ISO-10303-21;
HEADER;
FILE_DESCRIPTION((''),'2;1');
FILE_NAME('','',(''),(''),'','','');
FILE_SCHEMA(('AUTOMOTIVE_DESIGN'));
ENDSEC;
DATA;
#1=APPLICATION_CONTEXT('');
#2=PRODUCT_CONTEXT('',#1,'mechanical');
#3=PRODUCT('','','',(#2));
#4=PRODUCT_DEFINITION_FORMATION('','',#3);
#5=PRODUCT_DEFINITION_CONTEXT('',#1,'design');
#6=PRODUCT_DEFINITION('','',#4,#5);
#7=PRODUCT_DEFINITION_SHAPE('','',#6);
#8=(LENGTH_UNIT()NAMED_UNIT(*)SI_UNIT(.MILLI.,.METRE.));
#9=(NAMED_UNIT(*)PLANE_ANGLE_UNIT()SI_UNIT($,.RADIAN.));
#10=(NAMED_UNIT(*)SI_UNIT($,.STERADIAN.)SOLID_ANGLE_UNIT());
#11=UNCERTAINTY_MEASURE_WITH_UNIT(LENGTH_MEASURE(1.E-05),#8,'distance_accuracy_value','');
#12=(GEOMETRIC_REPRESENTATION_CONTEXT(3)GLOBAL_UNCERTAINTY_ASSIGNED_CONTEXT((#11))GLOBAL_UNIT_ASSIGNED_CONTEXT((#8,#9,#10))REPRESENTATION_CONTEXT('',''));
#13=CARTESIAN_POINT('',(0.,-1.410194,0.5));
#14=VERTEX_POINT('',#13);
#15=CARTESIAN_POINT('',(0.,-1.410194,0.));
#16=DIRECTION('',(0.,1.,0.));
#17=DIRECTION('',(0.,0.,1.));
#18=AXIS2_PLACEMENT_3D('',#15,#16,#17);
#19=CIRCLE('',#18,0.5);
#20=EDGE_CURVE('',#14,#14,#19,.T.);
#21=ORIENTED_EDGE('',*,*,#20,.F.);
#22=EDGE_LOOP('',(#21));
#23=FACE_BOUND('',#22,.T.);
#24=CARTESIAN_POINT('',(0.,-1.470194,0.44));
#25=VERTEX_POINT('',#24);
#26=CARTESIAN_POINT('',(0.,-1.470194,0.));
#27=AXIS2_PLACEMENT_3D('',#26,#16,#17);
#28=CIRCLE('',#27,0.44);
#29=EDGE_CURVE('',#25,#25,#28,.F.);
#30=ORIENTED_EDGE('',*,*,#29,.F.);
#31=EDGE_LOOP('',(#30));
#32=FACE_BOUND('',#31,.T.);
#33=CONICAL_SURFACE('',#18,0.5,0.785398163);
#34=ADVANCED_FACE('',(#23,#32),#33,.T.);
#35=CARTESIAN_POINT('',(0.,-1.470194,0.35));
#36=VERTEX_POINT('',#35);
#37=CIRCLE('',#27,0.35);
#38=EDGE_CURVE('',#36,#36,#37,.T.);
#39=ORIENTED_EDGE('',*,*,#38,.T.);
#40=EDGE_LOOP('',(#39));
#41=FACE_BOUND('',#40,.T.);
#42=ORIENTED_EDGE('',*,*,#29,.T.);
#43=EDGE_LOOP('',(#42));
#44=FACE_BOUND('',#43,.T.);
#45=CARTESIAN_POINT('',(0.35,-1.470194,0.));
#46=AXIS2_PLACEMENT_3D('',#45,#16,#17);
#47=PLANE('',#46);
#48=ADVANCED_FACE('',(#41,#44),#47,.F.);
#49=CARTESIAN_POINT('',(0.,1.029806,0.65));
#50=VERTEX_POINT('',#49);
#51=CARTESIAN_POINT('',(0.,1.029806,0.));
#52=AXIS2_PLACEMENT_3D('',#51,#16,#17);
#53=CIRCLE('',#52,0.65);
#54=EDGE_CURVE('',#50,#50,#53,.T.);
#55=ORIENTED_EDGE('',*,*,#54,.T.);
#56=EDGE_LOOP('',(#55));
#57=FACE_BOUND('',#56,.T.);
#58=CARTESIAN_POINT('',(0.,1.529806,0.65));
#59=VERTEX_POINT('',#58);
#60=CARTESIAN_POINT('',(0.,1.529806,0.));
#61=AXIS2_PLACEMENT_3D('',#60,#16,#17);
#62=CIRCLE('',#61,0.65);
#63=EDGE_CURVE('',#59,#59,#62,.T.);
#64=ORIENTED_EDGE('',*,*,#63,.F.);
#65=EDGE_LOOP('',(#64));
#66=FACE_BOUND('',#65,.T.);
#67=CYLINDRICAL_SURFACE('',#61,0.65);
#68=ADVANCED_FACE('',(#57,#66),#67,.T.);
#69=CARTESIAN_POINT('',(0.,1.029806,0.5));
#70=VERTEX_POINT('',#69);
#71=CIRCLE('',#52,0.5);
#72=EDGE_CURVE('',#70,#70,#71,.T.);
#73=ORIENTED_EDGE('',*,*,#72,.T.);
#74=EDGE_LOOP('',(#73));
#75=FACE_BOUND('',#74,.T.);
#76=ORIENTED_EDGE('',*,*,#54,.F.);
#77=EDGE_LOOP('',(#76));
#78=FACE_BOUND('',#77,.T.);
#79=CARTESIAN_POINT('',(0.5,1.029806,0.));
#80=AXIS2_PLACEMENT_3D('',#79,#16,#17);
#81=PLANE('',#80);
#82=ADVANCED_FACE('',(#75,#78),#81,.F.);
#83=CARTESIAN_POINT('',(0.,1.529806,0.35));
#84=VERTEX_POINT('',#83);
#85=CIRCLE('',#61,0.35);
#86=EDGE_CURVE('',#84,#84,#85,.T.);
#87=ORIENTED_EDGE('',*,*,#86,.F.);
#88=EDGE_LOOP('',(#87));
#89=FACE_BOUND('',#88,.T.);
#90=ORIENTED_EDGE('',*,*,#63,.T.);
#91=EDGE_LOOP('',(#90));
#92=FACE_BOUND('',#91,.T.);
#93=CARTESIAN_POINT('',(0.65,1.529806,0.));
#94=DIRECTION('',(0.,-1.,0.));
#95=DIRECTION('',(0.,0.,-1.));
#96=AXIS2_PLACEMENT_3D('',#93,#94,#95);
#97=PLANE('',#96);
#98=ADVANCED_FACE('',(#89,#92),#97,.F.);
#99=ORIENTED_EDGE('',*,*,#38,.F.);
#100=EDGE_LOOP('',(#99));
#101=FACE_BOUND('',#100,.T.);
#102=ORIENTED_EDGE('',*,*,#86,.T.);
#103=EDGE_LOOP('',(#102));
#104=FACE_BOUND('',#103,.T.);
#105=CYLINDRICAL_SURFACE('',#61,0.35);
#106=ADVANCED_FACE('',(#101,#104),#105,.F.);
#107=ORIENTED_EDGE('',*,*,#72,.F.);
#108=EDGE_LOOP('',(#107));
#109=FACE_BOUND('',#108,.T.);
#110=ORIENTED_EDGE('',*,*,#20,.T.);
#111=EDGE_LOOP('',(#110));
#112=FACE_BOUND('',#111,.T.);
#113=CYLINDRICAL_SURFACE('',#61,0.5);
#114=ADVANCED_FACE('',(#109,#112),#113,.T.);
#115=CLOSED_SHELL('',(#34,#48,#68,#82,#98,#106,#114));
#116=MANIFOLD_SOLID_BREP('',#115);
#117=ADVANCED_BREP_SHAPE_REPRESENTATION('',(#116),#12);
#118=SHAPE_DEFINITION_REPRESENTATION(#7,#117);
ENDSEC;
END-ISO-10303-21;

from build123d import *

# Parameters (mm, degrees)
CHAMFER1_SIZE = 0.06


with BuildPart() as part:
    # Sketch1 → Revolve1 (revolve)
    with BuildSketch(Plane.XY, mode=Mode.PRIVATE) as revolve1_sk:
        Polygon((0.65, 1.52980606), (0.35, 1.52980606), (0.35, -1.47019394), (0.5, -1.47019394), (0.5, 1.02980606), (0.65, 1.02980606), align=None)
    revolve(revolve1_sk.sketch.rotate(Axis((0, 1.52980606, 0), (0, -1, 0)), 90), axis=Axis((0, 1.52980606, 0), (0, -1, 0)))

    # Chamfer1
    chamfer1_edges = [part.edges().sort_by_distance(p)[0] for p in [
        (0, -1.47019394, -0.5),
    ]]
    chamfer(chamfer1_edges, length=CHAMFER1_SIZE)


solid = part.part
